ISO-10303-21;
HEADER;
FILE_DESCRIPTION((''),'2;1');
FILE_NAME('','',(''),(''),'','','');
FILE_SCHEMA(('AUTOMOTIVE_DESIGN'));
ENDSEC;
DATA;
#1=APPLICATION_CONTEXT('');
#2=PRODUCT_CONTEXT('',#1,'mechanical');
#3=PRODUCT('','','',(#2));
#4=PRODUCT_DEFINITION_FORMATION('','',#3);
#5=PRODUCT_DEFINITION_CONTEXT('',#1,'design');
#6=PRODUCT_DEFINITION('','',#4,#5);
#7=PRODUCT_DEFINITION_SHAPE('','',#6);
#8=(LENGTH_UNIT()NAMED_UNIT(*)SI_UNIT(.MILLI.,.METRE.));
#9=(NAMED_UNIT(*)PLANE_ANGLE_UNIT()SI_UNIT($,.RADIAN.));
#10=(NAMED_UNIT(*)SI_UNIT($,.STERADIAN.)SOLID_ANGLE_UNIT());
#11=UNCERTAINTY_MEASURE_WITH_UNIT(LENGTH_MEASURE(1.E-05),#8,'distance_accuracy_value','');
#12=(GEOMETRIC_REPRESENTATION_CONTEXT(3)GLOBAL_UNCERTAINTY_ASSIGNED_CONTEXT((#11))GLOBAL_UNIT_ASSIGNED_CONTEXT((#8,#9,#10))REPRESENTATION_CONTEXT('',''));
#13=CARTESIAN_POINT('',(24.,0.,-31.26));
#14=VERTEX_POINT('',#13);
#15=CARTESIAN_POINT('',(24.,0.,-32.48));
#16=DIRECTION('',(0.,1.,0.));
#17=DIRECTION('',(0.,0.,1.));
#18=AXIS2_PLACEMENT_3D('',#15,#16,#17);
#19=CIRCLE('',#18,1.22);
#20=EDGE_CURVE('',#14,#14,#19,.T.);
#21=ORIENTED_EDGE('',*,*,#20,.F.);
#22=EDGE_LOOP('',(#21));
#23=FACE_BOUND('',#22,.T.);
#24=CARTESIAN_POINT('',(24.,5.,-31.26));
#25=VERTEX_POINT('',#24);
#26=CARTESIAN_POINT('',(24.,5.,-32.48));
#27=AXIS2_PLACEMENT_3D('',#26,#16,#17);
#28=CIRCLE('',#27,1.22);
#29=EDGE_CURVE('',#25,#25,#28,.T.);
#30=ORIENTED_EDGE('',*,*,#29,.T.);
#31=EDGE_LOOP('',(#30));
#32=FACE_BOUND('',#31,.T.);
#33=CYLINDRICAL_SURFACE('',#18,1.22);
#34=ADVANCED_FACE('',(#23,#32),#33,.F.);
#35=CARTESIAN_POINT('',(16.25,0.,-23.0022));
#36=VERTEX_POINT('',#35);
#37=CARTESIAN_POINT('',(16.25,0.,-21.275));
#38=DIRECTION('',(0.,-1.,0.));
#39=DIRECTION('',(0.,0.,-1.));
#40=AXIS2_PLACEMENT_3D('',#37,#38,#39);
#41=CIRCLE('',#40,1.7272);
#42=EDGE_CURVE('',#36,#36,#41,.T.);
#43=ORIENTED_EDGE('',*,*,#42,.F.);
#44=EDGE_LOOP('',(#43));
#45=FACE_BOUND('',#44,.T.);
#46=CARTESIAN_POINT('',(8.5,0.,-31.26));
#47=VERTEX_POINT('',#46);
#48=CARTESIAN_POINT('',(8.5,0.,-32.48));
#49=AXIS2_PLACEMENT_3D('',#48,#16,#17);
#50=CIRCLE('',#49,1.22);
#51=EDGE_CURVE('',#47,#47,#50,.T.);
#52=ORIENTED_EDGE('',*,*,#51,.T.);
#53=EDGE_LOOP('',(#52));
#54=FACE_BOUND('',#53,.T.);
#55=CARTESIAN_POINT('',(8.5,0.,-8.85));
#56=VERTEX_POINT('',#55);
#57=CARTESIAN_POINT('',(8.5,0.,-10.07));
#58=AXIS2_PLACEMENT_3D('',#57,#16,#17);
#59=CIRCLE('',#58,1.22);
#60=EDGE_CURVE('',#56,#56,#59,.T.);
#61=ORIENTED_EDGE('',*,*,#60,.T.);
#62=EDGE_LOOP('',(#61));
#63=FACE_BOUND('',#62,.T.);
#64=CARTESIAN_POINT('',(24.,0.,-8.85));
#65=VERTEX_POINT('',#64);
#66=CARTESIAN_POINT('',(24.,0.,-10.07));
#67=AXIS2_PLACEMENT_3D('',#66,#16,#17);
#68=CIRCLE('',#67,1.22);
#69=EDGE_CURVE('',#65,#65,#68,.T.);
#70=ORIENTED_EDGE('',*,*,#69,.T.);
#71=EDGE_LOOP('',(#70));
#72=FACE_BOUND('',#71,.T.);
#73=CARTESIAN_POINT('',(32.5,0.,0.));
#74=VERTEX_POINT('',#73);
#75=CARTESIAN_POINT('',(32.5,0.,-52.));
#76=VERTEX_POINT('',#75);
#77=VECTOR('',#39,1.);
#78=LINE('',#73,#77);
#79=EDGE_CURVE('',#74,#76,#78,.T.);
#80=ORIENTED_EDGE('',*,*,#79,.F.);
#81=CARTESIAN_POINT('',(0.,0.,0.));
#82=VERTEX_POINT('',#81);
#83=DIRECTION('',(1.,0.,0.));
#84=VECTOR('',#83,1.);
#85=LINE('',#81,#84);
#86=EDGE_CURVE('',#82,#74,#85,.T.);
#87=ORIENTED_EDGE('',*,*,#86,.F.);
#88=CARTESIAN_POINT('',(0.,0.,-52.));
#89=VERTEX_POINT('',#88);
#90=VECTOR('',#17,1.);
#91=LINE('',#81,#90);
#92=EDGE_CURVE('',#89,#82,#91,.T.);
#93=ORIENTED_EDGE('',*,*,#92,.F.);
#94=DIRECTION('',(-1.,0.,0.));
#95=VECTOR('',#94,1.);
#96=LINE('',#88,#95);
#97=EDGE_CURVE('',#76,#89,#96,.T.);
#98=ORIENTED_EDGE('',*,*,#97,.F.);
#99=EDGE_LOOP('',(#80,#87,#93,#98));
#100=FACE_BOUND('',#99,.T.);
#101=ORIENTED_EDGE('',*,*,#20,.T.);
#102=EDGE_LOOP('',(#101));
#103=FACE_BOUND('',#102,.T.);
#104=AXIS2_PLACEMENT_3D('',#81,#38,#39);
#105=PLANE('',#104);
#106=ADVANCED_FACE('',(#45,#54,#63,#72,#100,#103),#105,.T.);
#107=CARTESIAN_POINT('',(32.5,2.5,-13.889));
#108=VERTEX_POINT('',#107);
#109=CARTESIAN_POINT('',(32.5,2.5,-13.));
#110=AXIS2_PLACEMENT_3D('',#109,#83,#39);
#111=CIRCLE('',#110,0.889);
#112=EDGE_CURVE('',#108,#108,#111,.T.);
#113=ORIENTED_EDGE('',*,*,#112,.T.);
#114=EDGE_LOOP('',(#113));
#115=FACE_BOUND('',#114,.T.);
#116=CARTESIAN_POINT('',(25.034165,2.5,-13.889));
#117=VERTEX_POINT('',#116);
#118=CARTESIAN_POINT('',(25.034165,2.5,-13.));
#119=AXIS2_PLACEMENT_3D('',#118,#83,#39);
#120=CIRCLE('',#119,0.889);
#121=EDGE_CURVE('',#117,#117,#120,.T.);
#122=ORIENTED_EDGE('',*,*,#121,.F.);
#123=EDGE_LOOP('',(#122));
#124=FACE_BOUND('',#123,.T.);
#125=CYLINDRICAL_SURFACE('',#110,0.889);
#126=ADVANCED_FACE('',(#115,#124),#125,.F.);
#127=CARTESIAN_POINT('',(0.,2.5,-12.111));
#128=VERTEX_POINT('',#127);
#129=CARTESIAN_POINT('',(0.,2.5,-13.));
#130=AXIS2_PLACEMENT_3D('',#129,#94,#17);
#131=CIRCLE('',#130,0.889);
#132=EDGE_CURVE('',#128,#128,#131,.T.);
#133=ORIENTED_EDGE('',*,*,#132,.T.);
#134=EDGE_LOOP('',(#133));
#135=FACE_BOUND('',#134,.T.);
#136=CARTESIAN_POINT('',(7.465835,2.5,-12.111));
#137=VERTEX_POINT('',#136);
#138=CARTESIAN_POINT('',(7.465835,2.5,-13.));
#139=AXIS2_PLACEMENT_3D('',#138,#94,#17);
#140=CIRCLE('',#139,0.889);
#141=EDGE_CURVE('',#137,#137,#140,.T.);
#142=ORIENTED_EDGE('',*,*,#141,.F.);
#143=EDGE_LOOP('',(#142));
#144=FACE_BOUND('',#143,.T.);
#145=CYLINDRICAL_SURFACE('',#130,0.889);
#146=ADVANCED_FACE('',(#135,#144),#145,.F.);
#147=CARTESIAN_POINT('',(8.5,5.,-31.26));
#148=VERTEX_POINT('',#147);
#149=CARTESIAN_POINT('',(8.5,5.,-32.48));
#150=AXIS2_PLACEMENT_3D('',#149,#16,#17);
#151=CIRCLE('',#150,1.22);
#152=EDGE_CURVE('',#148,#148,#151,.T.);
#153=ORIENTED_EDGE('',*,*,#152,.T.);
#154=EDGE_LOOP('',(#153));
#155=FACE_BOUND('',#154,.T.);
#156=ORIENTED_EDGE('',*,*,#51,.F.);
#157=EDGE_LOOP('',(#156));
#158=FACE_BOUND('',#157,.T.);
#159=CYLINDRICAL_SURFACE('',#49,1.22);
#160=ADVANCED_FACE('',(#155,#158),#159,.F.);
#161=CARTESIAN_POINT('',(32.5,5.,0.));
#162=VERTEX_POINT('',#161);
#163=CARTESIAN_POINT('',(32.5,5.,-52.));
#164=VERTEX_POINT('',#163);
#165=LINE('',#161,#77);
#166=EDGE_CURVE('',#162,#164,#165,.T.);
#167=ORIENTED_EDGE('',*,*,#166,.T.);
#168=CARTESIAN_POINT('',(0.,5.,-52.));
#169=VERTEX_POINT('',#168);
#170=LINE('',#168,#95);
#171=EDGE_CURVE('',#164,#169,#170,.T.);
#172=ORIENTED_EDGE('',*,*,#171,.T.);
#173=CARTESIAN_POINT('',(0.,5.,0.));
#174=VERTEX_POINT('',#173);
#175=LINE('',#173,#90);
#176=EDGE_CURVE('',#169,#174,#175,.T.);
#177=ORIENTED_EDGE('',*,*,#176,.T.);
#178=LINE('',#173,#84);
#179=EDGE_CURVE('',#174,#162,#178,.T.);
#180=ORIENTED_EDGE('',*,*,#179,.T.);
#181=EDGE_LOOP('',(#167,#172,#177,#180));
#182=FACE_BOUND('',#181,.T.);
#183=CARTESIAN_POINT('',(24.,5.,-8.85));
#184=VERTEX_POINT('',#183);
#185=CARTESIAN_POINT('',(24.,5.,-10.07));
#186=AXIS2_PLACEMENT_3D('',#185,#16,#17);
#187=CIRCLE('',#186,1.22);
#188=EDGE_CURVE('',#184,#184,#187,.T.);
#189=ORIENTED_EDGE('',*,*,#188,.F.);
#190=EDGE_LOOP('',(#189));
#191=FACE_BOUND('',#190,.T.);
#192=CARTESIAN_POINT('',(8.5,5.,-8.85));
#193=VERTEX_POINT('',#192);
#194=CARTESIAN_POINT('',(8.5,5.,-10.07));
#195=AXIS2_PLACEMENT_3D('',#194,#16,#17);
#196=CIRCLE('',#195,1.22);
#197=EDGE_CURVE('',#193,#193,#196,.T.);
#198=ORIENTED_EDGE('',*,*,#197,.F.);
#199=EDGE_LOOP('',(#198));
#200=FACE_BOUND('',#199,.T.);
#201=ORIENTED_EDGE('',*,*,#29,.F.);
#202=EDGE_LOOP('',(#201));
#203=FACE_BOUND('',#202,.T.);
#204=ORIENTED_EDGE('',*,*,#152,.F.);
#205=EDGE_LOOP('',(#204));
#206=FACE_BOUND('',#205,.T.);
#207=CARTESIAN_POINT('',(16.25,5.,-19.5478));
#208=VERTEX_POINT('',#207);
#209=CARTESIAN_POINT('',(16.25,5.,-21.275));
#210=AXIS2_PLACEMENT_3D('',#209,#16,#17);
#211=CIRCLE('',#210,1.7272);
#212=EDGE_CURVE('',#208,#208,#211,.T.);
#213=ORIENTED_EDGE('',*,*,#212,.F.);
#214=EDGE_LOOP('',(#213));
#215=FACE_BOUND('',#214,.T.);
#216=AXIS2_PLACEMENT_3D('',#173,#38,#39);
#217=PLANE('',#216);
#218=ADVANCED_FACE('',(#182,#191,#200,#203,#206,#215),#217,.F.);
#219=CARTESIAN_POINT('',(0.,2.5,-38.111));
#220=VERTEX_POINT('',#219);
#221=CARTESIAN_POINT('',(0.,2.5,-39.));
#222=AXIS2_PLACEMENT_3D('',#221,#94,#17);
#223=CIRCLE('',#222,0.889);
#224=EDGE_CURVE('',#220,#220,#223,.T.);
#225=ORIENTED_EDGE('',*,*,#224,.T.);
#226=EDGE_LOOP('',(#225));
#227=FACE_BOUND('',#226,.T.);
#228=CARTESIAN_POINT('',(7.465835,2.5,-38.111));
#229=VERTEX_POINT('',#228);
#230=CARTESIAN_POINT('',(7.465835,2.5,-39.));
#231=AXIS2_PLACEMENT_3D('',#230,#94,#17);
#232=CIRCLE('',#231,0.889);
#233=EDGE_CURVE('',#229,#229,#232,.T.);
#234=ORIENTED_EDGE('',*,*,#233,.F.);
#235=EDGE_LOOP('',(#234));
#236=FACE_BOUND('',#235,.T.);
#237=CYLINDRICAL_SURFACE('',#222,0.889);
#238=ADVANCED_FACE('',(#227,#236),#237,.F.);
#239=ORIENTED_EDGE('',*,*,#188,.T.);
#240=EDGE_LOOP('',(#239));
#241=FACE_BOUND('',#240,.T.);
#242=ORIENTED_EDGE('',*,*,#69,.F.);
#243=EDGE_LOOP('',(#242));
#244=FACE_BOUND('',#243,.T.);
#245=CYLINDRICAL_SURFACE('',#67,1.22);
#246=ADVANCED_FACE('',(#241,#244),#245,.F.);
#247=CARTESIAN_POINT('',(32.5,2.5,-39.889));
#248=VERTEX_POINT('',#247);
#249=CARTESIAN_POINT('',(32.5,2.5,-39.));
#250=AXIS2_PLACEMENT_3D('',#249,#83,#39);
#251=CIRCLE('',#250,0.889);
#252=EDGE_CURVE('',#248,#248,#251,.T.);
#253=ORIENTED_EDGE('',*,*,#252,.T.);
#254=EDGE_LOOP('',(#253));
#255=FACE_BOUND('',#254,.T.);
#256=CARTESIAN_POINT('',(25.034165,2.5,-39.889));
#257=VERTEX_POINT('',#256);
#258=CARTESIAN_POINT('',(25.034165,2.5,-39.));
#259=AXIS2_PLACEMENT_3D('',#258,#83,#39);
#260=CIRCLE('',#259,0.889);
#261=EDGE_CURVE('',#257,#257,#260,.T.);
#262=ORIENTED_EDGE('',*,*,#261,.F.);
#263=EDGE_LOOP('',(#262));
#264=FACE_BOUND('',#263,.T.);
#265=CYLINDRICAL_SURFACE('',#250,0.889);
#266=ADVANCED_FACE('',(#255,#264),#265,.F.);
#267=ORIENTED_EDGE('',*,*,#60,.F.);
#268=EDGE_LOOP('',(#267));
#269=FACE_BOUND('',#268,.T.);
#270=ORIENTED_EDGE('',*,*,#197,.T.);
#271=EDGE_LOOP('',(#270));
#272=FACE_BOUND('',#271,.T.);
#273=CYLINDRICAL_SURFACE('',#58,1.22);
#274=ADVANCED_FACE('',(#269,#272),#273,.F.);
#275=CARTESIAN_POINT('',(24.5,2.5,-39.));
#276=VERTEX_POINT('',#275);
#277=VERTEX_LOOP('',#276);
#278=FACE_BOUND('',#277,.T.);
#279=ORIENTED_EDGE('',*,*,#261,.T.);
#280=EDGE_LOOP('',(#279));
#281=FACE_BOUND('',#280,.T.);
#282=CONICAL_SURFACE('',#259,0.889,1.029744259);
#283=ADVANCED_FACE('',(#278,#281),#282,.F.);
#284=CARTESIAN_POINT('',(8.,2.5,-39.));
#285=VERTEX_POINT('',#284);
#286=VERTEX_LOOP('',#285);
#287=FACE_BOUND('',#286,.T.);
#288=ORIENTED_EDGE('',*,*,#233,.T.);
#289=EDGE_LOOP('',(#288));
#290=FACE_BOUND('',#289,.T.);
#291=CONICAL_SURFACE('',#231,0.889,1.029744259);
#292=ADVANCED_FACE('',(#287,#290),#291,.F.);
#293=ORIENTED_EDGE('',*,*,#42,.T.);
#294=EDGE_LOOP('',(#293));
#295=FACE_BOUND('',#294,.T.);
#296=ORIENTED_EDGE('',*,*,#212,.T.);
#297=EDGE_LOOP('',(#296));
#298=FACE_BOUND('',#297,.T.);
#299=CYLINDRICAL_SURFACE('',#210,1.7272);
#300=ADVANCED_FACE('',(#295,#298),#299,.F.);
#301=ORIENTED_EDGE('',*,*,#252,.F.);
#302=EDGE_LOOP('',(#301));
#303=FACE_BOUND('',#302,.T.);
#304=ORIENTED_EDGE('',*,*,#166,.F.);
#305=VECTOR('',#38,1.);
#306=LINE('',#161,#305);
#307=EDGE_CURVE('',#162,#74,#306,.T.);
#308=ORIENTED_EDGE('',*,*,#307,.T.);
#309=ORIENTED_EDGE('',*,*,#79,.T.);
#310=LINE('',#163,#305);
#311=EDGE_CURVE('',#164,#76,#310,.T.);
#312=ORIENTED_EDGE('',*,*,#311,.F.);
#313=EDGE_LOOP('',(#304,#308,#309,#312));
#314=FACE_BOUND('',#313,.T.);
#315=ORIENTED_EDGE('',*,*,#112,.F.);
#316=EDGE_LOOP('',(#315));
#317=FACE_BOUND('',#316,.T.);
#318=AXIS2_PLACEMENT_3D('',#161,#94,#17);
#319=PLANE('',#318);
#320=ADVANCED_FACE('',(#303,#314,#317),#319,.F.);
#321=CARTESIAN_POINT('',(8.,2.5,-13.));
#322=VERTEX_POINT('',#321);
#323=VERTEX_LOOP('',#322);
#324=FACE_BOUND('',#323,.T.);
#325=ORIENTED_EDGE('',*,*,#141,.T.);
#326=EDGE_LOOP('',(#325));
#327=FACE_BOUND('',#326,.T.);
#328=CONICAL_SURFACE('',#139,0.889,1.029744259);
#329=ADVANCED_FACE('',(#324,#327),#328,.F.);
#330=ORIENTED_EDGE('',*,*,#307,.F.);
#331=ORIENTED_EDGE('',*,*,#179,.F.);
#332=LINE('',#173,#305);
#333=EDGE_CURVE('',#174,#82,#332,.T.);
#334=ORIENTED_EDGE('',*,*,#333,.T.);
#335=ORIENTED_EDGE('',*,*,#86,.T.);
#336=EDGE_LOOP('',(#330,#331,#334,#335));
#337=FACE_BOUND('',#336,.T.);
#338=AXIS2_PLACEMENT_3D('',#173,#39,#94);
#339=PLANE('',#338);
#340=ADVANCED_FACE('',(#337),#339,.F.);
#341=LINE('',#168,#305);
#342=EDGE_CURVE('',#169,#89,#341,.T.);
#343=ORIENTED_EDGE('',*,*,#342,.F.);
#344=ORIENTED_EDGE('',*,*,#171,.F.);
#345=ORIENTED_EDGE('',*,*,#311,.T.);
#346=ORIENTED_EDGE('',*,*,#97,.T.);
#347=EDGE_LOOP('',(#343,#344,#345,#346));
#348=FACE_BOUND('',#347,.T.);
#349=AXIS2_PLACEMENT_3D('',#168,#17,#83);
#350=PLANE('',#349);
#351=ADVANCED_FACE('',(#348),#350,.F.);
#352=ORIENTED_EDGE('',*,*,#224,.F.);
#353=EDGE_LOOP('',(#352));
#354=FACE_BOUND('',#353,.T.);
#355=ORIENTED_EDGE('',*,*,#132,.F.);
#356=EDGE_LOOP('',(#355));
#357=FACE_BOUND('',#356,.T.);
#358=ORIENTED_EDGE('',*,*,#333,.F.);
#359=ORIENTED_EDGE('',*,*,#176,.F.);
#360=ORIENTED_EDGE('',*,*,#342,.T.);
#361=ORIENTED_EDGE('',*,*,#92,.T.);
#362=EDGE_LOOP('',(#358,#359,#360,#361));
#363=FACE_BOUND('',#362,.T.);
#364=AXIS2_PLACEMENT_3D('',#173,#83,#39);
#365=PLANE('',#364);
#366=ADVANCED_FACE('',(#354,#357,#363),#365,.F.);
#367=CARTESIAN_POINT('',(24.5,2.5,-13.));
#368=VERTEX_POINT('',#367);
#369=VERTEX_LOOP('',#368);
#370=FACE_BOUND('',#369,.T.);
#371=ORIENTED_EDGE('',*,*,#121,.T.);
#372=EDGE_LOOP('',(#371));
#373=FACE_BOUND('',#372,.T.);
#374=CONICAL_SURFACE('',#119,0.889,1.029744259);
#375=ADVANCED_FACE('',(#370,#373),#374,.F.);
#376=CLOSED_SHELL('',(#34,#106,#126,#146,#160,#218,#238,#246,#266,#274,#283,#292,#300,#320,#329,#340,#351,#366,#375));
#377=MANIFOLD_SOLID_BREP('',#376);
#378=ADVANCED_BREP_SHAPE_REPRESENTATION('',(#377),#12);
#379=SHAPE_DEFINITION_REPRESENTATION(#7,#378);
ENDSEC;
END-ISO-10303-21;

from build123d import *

# Parameters (mm, degrees)
SKETCH1_W                 = 32.5
SKETCH1_H                 = 52
BOSS_EXTRUDE1_DEPTH       = 5
F_2_56_TAPPED_HOLE1_D     = 1.778
F_2_56_TAPPED_HOLE1_DEPTH = 7.46583491
F_2_56_TAPPED_HOLE1_TIP   = 0.53416509
F_2_56_TAPPED_HOLE2_D     = 1.778
F_2_56_TAPPED_HOLE2_DEPTH = 7.46583491
F_2_56_TAPPED_HOLE2_TIP   = 0.53416509
F_8_32_TAPPED_HOLE1_D     = 3.4544
F_8_32_TAPPED_HOLE1_DEPTH = 9.672193539
F_8_32_TAPPED_HOLE1_TIP   = 1.037806461
SKETCH16_R                = 1.22
CUT_EXTRUDE4_DEPTH        = 5


with BuildPart() as part:
    # Sketch1 → Boss-Extrude1 (new body)
    with BuildSketch(Plane(origin=(0, 0, 0), x_dir=(1, 0, 0), z_dir=(0, 1, 0))):
        with Locations((16.25, 26)):
            Rectangle(SKETCH1_W, SKETCH1_H)
    extrude(amount=BOSS_EXTRUDE1_DEPTH)

    # #2-56 Tapped Hole1
    with Locations(Plane.ZY):
        with Locations((-39, 2.5), (-13, 2.5)):
            Hole(F_2_56_TAPPED_HOLE1_D / 2, depth=F_2_56_TAPPED_HOLE1_DEPTH)
            with Locations((0, 0, -(F_2_56_TAPPED_HOLE1_DEPTH + F_2_56_TAPPED_HOLE1_TIP / 2))):  # 118° drill point
                Cone(0, F_2_56_TAPPED_HOLE1_D / 2, F_2_56_TAPPED_HOLE1_TIP, mode=Mode.SUBTRACT)

    # #2-56 Tapped Hole2
    with Locations(Plane(origin=(32.5, 0, 0), x_dir=(0, 0, -1), z_dir=(1, 0, 0))):
        with Locations((13, 2.5), (39, 2.5)):
            Hole(F_2_56_TAPPED_HOLE2_D / 2, depth=F_2_56_TAPPED_HOLE2_DEPTH)
            with Locations((0, 0, -(F_2_56_TAPPED_HOLE2_DEPTH + F_2_56_TAPPED_HOLE2_TIP / 2))):  # 118° drill point
                Cone(0, F_2_56_TAPPED_HOLE2_D / 2, F_2_56_TAPPED_HOLE2_TIP, mode=Mode.SUBTRACT)

    # #8-32 Tapped Hole1
    with Locations(Plane(origin=(0, 5, 0), x_dir=(1, 0, 0), z_dir=(0, 1, 0))):
        with Locations((16.25, 21.275)):
            Hole(F_8_32_TAPPED_HOLE1_D / 2, depth=F_8_32_TAPPED_HOLE1_DEPTH)
            with Locations((0, 0, -(F_8_32_TAPPED_HOLE1_DEPTH + F_8_32_TAPPED_HOLE1_TIP / 2))):  # 118° drill point
                Cone(0, F_8_32_TAPPED_HOLE1_D / 2, F_8_32_TAPPED_HOLE1_TIP, mode=Mode.SUBTRACT)

    # Sketch16 → Cut-Extrude4 (cut)
    with BuildSketch(Plane(origin=(0, 5, 0), x_dir=(1, 0, 0), z_dir=(0, 1, 0))):
        with Locations((8.5, 32.48)):
            Circle(SKETCH16_R)
        with Locations((24, 32.48)):
            Circle(SKETCH16_R)
        with Locations((8.5, 10.07)):
            Circle(SKETCH16_R)
        with Locations((24, 10.07)):
            Circle(SKETCH16_R)
    extrude(amount=-CUT_EXTRUDE4_DEPTH, mode=Mode.SUBTRACT)


solid = part.part
